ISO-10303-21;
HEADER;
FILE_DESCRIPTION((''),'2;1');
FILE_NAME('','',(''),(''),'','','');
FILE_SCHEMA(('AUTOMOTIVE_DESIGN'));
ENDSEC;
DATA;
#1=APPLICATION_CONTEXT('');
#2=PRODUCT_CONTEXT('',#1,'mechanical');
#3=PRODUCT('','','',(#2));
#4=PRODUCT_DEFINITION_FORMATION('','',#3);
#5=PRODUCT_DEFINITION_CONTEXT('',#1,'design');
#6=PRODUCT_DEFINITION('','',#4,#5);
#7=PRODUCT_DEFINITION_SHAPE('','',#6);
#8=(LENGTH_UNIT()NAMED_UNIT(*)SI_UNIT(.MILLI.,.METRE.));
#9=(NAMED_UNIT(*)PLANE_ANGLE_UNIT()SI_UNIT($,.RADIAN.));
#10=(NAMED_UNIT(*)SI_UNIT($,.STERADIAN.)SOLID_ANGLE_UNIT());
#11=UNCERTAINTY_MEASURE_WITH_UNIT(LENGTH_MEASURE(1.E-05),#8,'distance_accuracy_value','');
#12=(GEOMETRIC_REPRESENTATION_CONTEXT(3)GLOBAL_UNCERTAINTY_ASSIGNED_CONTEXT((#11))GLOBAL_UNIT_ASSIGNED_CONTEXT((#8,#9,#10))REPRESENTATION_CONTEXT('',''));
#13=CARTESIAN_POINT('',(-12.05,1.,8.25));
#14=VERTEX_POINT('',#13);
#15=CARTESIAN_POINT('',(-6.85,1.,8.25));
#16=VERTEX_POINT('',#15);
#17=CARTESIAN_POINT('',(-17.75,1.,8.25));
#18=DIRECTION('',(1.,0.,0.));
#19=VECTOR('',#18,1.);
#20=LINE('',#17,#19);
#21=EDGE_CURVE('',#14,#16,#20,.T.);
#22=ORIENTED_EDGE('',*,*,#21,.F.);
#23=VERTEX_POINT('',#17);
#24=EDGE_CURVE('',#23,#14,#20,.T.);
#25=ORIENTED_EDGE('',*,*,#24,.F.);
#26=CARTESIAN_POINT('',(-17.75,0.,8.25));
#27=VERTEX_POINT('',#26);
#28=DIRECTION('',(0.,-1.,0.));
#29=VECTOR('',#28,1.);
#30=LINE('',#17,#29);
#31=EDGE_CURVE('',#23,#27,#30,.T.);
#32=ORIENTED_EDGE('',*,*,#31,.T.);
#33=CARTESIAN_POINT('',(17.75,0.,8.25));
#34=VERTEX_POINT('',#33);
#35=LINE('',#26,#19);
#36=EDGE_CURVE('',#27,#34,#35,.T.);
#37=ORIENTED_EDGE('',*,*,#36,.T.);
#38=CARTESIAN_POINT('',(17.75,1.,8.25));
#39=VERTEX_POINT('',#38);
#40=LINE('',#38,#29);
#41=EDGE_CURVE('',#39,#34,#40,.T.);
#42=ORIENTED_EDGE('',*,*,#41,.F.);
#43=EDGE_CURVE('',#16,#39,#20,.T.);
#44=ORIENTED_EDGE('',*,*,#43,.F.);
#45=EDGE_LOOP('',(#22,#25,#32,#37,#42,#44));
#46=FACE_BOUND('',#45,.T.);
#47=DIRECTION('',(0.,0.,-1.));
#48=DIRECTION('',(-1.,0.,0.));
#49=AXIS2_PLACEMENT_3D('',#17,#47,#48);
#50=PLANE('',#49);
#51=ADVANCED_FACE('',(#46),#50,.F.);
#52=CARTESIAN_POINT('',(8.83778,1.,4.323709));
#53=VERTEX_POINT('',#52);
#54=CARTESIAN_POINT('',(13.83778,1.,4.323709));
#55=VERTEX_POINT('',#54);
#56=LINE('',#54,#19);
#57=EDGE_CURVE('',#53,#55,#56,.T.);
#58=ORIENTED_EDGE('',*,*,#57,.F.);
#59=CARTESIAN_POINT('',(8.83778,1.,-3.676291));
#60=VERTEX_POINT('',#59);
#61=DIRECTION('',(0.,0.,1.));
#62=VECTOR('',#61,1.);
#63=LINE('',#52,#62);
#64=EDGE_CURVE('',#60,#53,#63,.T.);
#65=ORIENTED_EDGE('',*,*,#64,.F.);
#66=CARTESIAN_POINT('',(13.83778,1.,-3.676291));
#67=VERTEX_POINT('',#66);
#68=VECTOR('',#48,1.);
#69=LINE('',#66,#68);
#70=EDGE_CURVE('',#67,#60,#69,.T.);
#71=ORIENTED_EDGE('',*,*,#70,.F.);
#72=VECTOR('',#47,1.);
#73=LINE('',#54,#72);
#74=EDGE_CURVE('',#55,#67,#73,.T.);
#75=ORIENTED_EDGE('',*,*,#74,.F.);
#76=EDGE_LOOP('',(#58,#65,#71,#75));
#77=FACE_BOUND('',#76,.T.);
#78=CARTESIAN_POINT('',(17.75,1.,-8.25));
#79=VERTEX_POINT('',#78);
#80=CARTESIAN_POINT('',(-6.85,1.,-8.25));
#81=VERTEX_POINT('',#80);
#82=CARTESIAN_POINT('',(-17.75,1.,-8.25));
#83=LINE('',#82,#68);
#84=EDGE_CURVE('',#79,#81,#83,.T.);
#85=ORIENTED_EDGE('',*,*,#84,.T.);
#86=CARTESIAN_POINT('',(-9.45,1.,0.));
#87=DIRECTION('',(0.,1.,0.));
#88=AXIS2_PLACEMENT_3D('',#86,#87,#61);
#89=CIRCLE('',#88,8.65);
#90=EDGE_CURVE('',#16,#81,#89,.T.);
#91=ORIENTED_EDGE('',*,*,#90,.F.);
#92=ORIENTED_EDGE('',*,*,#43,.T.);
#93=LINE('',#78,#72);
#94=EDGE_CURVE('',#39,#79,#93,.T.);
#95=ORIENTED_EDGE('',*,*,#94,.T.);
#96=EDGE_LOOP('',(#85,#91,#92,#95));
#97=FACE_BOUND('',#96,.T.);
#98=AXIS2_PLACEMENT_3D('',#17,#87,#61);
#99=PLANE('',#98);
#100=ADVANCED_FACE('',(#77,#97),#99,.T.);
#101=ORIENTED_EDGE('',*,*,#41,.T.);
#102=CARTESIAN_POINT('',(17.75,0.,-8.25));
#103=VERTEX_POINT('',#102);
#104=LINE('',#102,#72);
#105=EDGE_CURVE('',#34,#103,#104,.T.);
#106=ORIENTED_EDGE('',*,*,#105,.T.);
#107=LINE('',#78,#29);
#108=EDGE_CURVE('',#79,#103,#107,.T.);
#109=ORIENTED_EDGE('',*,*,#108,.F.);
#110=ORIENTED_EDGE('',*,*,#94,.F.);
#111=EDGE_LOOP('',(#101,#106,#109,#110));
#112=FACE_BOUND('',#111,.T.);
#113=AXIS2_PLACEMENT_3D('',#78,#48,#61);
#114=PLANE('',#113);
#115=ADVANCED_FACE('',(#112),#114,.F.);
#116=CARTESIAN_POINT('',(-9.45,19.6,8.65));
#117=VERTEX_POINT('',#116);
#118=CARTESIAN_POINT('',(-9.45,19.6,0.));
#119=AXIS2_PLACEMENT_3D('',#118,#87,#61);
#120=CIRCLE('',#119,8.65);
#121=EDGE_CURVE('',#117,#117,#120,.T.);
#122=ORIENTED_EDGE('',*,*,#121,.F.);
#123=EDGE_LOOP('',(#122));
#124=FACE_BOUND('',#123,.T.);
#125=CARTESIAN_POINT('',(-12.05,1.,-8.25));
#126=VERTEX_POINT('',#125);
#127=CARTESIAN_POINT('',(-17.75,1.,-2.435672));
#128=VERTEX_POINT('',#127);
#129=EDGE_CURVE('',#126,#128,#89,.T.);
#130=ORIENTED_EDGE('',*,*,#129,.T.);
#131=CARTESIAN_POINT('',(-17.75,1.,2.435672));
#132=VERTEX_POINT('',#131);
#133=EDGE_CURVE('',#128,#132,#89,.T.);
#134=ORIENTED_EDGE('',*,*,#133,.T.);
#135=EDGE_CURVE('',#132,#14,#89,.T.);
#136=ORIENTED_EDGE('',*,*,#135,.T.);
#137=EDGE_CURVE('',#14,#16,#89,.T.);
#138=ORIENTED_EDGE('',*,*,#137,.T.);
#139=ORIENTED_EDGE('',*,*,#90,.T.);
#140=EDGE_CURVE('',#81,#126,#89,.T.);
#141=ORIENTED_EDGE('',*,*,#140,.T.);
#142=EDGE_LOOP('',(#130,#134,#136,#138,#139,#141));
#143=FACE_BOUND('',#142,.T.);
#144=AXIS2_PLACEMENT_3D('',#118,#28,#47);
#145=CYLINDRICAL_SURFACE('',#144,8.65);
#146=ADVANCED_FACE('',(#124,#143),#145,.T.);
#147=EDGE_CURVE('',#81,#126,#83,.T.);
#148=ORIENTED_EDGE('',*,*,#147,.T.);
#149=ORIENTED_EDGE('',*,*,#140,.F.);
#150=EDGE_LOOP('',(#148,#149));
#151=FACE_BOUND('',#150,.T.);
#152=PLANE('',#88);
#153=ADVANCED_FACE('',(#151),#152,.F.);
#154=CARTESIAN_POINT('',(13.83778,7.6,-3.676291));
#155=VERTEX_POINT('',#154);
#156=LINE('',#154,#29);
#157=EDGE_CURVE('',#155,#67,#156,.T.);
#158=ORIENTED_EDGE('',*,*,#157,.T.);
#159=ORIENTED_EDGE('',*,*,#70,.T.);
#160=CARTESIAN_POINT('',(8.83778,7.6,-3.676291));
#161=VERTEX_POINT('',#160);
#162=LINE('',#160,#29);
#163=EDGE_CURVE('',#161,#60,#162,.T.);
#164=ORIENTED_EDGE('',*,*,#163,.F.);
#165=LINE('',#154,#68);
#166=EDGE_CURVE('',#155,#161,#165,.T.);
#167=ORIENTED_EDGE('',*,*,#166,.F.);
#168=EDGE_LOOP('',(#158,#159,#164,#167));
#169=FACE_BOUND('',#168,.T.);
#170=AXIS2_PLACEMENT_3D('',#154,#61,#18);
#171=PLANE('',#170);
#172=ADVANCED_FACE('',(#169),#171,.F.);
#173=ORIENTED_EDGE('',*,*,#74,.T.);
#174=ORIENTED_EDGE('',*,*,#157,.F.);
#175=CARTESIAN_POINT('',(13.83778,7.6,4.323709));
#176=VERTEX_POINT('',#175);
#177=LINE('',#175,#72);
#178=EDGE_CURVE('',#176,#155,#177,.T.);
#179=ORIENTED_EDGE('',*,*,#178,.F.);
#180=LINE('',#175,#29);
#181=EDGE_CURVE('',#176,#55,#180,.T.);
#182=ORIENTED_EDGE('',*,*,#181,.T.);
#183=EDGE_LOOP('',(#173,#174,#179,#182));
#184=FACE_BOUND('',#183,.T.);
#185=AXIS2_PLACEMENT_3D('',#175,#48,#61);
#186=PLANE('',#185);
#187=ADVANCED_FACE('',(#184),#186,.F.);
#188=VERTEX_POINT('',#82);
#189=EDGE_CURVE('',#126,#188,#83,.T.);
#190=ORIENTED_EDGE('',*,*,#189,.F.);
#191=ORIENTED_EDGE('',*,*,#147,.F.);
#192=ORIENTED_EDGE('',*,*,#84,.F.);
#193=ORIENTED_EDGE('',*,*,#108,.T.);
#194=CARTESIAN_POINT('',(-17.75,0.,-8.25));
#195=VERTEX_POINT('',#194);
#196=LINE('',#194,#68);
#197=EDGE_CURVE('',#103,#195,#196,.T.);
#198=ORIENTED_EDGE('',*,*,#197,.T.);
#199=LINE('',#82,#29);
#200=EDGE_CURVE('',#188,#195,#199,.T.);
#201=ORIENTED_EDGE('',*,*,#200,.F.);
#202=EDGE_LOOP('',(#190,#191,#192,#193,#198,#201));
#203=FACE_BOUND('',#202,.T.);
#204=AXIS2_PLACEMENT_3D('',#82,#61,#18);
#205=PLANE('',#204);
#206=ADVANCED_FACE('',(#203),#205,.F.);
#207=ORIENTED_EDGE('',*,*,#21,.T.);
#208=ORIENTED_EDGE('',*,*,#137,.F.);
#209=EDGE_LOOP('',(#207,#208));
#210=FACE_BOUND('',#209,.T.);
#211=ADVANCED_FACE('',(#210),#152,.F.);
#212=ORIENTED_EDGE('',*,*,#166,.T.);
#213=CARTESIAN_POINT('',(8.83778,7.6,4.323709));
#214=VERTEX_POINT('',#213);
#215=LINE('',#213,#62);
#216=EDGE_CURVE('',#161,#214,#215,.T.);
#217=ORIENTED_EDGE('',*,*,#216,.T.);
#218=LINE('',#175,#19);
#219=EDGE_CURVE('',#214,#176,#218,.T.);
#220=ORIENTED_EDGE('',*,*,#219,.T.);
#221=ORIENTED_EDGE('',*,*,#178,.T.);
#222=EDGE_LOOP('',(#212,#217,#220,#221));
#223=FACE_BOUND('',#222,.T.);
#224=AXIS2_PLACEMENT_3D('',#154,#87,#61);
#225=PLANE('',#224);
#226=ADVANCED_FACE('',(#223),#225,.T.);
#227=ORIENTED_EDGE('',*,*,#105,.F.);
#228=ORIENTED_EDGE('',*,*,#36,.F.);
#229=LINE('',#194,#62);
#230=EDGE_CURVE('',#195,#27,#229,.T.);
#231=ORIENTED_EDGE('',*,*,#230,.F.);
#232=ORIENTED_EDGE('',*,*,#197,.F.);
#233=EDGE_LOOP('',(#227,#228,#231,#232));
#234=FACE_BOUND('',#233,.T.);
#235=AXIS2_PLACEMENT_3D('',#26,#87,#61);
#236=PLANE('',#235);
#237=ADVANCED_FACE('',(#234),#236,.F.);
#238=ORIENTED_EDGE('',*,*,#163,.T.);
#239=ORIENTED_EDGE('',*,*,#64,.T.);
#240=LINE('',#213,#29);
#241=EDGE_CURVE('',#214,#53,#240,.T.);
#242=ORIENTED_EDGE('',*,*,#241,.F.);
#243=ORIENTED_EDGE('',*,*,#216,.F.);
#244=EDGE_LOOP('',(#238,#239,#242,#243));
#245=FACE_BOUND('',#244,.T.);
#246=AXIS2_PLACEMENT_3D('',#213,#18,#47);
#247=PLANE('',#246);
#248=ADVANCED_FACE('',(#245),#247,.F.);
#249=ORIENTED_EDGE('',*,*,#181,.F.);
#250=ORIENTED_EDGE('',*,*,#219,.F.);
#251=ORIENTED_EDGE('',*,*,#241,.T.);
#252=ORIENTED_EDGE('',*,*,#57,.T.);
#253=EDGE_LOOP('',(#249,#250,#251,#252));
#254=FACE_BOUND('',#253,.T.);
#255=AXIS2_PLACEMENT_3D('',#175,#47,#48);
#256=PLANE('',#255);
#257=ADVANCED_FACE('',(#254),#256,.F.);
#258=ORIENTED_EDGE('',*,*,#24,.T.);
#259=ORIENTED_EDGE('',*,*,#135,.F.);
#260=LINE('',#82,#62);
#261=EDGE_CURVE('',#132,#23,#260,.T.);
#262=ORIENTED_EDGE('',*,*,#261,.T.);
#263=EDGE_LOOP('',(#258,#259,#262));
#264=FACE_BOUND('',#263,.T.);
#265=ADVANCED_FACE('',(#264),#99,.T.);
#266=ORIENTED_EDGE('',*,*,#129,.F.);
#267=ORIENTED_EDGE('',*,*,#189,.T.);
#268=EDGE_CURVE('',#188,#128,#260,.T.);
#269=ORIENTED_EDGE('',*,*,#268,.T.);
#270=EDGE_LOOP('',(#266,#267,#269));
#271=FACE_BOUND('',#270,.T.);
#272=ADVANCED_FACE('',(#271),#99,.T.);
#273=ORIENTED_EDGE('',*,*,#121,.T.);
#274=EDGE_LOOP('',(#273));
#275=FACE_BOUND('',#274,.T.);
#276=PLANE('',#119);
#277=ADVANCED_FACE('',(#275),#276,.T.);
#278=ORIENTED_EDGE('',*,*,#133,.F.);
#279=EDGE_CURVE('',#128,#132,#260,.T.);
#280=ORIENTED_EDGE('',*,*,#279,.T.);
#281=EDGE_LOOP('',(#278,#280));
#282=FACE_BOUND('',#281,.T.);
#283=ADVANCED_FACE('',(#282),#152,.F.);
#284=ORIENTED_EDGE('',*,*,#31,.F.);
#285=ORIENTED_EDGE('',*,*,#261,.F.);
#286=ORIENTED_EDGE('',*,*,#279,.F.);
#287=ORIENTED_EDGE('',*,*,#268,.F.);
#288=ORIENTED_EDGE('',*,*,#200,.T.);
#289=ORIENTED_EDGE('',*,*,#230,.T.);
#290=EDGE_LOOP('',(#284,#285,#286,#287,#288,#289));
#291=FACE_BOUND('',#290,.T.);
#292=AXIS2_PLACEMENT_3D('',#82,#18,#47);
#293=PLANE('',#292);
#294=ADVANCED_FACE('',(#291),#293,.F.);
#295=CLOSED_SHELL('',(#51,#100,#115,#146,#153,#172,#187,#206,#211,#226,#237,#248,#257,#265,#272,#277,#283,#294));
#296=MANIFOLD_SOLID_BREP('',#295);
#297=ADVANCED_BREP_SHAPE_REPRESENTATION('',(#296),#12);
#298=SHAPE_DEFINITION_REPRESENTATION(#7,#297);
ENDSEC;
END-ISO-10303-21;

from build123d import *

# Parameters (mm, degrees)
SKETCH1_W           = 35.5
SKETCH1_H           = 16.5
BOSS_EXTRUDE1_DEPTH = 1
SKETCH2_R           = 8.65
BOSS_EXTRUDE2_DEPTH = 18.6
SKETCH3_W           = 5
SKETCH3_H           = 8
BOSS_EXTRUDE3_DEPTH = 6.6


with BuildPart() as part:
    # Sketch1 → Boss-Extrude1 (new body)
    with BuildSketch(Plane(origin=(0, 0, 0), x_dir=(1, 0, 0), z_dir=(0, 1, 0))):
        Rectangle(SKETCH1_W, SKETCH1_H)
    extrude(amount=BOSS_EXTRUDE1_DEPTH)

    # Sketch2 → Boss-Extrude2 (add)
    with BuildSketch(Plane(origin=(0, 1, 0), x_dir=(1, 0, 0), z_dir=(0, 1, 0))):
        with Locations((-9.45, 0)):
            Circle(SKETCH2_R)
    extrude(amount=BOSS_EXTRUDE2_DEPTH)

    # Sketch3 → Boss-Extrude3 (add)
    with BuildSketch(Plane(origin=(0, 1, 0), x_dir=(1, 0, 0), z_dir=(0, 1, 0))):
        with Locations((11.337780318, -0.323708933)):
            Rectangle(SKETCH3_W, SKETCH3_H)
    extrude(amount=BOSS_EXTRUDE3_DEPTH)


solid = part.part
